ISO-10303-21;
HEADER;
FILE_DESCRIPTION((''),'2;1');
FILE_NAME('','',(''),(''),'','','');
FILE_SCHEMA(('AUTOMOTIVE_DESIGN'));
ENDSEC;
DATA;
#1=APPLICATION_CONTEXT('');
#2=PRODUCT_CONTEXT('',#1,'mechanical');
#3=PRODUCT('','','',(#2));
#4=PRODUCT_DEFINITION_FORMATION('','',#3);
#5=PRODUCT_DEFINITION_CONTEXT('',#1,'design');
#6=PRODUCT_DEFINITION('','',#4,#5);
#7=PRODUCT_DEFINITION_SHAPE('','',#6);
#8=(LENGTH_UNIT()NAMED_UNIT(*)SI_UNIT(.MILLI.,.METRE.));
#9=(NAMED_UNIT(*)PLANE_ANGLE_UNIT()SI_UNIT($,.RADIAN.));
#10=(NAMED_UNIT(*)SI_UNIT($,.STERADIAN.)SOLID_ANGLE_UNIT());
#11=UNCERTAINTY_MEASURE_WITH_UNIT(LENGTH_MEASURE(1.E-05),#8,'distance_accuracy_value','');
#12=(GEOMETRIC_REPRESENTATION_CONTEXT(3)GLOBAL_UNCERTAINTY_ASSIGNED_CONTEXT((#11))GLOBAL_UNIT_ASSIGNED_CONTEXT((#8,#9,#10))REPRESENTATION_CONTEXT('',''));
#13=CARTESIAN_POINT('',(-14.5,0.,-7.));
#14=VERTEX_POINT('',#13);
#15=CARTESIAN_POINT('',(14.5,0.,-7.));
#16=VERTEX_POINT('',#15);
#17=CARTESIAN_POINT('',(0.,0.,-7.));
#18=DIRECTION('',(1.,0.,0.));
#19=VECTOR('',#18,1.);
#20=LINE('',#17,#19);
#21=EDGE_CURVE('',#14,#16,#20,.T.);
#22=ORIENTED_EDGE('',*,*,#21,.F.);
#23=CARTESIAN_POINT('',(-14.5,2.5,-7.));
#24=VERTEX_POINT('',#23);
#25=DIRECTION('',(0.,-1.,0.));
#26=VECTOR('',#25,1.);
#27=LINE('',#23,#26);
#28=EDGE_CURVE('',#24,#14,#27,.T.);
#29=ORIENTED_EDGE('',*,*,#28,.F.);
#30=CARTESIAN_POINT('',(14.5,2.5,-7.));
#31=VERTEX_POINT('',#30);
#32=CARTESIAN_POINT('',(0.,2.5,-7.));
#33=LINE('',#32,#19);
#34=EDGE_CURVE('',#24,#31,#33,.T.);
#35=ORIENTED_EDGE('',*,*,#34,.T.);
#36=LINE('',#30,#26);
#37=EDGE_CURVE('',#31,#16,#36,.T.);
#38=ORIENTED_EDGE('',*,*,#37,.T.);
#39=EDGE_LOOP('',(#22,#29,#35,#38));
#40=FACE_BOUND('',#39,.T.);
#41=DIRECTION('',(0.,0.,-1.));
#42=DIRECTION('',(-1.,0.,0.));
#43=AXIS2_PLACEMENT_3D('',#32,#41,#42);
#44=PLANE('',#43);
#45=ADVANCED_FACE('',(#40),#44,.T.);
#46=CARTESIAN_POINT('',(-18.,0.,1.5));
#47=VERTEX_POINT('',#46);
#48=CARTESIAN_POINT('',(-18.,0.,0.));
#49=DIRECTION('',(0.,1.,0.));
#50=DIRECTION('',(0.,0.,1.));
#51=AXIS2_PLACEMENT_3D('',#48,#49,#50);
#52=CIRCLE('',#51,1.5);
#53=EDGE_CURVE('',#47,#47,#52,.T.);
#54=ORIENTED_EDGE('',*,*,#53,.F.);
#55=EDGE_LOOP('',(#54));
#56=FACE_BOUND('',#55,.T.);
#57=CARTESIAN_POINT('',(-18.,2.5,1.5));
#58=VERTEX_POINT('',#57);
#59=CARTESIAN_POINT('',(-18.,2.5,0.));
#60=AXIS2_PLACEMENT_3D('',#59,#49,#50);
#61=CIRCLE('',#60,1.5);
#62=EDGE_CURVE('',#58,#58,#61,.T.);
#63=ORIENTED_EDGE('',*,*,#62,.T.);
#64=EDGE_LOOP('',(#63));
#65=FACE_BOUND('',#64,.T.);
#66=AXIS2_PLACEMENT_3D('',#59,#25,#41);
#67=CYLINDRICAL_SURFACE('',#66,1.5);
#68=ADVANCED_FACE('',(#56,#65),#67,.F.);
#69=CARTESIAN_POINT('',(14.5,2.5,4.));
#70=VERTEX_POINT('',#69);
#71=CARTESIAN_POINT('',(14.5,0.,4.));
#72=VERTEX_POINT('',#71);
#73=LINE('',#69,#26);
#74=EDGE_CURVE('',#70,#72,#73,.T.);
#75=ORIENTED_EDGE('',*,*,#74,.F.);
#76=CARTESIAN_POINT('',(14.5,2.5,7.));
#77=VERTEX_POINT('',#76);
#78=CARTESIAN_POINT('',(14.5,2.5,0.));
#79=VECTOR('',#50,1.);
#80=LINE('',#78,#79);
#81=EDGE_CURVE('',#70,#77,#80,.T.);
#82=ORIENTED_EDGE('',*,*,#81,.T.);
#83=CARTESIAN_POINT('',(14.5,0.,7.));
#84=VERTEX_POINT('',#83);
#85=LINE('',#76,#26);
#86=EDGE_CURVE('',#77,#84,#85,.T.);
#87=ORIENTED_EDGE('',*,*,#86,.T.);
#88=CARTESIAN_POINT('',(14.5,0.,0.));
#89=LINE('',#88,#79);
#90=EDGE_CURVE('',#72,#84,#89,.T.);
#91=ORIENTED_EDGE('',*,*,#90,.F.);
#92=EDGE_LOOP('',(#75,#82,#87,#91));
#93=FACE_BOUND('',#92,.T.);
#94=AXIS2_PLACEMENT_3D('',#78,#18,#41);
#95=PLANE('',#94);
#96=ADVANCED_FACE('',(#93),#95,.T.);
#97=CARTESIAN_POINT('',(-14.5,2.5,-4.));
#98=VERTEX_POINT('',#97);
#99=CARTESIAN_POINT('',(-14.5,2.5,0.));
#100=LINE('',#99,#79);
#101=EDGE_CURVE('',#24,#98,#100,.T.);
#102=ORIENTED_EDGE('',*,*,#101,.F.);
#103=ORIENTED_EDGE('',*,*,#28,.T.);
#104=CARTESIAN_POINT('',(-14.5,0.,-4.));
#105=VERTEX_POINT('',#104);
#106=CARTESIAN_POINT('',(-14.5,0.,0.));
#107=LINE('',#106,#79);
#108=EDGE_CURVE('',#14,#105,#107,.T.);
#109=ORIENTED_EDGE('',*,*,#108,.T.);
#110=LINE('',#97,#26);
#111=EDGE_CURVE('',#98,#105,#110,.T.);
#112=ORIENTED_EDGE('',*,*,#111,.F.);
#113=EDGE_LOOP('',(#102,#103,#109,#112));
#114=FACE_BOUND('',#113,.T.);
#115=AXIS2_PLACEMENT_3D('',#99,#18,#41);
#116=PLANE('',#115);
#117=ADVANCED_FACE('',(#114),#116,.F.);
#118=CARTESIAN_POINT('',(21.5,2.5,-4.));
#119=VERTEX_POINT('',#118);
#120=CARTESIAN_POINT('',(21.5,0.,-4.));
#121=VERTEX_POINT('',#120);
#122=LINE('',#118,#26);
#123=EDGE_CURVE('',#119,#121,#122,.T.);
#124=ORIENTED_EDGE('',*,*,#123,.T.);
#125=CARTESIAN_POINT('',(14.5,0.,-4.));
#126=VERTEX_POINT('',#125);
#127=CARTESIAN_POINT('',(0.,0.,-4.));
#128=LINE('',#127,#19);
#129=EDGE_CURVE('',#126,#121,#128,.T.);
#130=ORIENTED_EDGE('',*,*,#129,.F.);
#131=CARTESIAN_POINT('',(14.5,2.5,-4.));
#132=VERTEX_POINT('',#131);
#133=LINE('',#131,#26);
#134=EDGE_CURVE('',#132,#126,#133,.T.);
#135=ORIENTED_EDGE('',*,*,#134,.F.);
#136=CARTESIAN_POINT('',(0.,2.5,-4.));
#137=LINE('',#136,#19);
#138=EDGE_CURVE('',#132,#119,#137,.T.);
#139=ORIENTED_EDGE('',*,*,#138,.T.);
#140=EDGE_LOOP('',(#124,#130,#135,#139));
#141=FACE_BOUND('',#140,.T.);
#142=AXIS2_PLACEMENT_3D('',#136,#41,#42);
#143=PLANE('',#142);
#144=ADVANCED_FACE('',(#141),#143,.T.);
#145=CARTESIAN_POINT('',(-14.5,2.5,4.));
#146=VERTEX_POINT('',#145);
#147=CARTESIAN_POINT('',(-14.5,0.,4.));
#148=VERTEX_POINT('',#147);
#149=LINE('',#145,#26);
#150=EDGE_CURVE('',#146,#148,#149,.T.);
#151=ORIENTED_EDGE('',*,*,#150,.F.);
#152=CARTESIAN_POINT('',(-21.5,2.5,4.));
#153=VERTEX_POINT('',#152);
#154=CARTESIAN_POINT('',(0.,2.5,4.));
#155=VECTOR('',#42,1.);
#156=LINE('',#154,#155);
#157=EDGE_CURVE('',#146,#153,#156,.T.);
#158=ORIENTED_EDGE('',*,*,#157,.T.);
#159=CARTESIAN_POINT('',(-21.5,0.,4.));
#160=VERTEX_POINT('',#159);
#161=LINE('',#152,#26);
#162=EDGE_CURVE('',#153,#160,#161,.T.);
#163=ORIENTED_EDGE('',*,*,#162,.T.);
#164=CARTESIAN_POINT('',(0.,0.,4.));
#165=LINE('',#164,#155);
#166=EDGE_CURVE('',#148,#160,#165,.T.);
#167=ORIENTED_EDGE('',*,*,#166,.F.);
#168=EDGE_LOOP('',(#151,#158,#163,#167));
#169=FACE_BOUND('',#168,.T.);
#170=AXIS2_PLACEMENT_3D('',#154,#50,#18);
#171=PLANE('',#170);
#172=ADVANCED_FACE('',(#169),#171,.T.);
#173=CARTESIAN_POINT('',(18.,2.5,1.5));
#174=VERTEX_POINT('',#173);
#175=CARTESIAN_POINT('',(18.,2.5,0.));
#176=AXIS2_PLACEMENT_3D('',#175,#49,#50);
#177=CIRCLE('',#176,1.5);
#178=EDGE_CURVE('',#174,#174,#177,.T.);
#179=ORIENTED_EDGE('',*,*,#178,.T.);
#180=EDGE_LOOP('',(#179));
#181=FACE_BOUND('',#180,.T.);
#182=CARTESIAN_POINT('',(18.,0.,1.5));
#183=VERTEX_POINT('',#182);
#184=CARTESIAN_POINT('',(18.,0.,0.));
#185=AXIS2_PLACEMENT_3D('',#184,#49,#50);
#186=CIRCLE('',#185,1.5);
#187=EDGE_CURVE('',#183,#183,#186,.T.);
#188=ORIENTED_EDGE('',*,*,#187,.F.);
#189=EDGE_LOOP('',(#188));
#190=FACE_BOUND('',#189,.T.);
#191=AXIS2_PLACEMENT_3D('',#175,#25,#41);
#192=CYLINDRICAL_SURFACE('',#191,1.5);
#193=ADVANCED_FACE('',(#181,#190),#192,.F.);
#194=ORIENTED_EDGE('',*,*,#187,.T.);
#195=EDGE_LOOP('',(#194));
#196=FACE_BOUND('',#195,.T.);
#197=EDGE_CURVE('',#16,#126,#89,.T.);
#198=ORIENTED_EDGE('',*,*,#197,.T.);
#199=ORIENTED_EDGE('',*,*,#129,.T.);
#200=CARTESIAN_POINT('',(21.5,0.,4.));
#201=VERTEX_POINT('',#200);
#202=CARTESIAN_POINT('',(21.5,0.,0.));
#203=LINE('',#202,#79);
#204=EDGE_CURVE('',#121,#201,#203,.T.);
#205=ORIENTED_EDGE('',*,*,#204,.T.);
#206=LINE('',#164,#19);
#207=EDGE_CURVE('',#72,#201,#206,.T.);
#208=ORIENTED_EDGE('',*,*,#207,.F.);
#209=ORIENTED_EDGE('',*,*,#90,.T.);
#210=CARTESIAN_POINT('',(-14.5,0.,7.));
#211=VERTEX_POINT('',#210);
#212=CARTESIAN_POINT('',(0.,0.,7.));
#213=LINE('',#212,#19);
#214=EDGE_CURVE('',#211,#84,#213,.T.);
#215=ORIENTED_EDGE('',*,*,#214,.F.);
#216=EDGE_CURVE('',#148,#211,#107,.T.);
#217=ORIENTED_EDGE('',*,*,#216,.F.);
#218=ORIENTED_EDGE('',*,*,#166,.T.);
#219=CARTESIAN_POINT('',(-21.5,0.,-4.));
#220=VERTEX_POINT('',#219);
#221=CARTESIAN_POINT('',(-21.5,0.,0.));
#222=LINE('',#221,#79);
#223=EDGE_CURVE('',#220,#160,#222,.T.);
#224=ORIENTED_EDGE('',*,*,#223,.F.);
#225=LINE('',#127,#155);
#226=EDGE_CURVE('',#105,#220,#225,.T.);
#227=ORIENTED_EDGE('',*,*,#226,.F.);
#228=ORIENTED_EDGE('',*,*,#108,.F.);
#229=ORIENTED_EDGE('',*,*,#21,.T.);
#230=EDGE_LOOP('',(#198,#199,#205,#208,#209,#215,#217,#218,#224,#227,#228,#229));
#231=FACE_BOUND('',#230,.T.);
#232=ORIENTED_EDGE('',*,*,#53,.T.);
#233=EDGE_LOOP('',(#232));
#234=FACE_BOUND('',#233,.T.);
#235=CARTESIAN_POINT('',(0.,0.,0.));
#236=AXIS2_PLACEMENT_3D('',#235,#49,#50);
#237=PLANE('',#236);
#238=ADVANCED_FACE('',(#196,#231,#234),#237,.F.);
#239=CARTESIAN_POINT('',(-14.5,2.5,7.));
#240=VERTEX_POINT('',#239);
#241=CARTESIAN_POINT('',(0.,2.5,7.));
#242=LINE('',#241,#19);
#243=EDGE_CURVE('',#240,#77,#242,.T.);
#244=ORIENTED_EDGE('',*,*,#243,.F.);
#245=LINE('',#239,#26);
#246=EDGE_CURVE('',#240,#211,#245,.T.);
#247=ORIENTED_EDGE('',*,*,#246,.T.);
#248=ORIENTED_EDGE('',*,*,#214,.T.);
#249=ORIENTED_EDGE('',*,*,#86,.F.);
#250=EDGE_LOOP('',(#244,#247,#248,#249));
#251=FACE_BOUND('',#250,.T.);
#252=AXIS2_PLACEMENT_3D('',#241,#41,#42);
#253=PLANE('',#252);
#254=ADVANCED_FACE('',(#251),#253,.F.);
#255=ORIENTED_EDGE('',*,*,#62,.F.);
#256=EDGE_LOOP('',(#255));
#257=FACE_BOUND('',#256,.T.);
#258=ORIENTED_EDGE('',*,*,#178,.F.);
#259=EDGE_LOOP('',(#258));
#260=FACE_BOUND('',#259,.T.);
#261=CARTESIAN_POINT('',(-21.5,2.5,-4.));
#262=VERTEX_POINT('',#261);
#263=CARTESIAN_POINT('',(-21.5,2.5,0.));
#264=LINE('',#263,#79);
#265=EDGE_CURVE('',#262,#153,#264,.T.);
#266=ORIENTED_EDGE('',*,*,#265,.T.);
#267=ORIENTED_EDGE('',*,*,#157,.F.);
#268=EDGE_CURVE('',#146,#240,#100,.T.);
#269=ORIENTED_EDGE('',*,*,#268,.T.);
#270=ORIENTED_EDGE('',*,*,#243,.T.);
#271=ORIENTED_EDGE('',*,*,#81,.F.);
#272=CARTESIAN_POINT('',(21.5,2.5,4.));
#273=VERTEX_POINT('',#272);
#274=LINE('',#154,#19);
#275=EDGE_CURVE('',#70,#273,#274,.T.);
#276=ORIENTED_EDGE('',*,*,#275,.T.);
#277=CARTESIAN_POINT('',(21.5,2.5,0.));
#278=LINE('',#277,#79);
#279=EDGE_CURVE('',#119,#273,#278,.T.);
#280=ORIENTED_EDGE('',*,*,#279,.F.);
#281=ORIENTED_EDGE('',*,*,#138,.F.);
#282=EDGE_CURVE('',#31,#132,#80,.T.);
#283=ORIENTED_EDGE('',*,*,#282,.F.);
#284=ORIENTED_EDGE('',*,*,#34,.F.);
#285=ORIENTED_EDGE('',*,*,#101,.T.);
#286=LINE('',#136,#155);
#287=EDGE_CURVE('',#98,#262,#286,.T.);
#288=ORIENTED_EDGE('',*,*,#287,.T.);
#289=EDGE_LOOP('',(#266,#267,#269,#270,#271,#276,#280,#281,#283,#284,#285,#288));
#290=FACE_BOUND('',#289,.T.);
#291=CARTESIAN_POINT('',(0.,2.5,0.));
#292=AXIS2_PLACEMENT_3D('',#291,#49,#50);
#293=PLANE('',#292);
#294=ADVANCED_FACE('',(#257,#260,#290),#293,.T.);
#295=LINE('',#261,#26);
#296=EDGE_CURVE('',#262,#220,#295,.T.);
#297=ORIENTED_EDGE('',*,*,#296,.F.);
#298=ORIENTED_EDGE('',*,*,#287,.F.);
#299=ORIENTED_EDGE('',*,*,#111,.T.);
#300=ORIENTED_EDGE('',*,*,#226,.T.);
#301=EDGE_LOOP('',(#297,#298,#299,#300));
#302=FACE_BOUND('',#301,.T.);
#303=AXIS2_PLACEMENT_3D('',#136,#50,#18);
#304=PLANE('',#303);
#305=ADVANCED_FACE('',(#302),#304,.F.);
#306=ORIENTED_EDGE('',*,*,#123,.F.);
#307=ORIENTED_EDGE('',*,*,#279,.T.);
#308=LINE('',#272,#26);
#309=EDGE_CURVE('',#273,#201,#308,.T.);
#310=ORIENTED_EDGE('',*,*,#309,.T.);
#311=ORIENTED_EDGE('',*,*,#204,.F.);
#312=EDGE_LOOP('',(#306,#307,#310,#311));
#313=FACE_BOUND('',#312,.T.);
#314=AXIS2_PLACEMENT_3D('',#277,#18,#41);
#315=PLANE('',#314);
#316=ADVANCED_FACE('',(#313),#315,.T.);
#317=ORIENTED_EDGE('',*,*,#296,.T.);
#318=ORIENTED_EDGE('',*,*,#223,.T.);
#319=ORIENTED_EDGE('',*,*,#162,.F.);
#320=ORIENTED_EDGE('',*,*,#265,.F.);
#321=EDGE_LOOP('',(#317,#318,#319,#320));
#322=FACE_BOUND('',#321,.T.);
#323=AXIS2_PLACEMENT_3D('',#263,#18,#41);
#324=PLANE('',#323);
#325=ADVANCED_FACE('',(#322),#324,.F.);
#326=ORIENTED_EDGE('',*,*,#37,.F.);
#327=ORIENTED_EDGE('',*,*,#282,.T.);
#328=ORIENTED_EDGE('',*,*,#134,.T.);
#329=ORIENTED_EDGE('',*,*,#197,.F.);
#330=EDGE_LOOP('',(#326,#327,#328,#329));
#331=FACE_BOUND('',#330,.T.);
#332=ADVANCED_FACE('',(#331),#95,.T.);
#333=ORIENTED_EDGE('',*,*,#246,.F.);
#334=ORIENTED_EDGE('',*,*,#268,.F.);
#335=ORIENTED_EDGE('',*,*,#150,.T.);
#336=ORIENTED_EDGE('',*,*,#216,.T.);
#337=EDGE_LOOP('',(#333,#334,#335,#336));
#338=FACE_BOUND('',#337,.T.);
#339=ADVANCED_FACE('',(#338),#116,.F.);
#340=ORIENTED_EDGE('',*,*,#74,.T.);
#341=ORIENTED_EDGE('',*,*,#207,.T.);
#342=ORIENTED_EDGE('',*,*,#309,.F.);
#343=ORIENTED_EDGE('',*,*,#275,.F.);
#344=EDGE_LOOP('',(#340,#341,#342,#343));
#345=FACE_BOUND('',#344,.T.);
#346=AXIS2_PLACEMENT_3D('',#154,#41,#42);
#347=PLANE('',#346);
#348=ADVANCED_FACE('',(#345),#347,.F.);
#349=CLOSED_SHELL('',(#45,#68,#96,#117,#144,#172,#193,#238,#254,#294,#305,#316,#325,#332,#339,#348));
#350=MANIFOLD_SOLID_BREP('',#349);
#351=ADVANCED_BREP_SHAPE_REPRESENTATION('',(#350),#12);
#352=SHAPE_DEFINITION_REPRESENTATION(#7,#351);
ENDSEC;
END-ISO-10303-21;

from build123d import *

# Parameters (mm, degrees)
SKETCH1_W           = 29
SKETCH1_H           = 14
SKETCH1_W_2         = 7
SKETCH1_H_2         = 8
SKETCH1_R           = 1.5
BOSS_EXTRUDE1_DEPTH = 2.5


with BuildPart() as part:
    # Sketch1 → Boss-Extrude1 (new body)
    with BuildSketch(Plane(origin=(0, 0, 0), x_dir=(1, 0, 0), z_dir=(0, 1, 0))):
        Rectangle(SKETCH1_W, SKETCH1_H)
        with Locations((-18, 0)):
            Rectangle(SKETCH1_W_2, SKETCH1_H_2)
        with Locations((-18, 0)):
            Circle(SKETCH1_R, mode=Mode.SUBTRACT)
        with Locations((18, 0)):
            Rectangle(SKETCH1_W_2, SKETCH1_H_2)
        with Locations((18, 0)):
            Circle(SKETCH1_R, mode=Mode.SUBTRACT)
    extrude(amount=BOSS_EXTRUDE1_DEPTH)


solid = part.part
